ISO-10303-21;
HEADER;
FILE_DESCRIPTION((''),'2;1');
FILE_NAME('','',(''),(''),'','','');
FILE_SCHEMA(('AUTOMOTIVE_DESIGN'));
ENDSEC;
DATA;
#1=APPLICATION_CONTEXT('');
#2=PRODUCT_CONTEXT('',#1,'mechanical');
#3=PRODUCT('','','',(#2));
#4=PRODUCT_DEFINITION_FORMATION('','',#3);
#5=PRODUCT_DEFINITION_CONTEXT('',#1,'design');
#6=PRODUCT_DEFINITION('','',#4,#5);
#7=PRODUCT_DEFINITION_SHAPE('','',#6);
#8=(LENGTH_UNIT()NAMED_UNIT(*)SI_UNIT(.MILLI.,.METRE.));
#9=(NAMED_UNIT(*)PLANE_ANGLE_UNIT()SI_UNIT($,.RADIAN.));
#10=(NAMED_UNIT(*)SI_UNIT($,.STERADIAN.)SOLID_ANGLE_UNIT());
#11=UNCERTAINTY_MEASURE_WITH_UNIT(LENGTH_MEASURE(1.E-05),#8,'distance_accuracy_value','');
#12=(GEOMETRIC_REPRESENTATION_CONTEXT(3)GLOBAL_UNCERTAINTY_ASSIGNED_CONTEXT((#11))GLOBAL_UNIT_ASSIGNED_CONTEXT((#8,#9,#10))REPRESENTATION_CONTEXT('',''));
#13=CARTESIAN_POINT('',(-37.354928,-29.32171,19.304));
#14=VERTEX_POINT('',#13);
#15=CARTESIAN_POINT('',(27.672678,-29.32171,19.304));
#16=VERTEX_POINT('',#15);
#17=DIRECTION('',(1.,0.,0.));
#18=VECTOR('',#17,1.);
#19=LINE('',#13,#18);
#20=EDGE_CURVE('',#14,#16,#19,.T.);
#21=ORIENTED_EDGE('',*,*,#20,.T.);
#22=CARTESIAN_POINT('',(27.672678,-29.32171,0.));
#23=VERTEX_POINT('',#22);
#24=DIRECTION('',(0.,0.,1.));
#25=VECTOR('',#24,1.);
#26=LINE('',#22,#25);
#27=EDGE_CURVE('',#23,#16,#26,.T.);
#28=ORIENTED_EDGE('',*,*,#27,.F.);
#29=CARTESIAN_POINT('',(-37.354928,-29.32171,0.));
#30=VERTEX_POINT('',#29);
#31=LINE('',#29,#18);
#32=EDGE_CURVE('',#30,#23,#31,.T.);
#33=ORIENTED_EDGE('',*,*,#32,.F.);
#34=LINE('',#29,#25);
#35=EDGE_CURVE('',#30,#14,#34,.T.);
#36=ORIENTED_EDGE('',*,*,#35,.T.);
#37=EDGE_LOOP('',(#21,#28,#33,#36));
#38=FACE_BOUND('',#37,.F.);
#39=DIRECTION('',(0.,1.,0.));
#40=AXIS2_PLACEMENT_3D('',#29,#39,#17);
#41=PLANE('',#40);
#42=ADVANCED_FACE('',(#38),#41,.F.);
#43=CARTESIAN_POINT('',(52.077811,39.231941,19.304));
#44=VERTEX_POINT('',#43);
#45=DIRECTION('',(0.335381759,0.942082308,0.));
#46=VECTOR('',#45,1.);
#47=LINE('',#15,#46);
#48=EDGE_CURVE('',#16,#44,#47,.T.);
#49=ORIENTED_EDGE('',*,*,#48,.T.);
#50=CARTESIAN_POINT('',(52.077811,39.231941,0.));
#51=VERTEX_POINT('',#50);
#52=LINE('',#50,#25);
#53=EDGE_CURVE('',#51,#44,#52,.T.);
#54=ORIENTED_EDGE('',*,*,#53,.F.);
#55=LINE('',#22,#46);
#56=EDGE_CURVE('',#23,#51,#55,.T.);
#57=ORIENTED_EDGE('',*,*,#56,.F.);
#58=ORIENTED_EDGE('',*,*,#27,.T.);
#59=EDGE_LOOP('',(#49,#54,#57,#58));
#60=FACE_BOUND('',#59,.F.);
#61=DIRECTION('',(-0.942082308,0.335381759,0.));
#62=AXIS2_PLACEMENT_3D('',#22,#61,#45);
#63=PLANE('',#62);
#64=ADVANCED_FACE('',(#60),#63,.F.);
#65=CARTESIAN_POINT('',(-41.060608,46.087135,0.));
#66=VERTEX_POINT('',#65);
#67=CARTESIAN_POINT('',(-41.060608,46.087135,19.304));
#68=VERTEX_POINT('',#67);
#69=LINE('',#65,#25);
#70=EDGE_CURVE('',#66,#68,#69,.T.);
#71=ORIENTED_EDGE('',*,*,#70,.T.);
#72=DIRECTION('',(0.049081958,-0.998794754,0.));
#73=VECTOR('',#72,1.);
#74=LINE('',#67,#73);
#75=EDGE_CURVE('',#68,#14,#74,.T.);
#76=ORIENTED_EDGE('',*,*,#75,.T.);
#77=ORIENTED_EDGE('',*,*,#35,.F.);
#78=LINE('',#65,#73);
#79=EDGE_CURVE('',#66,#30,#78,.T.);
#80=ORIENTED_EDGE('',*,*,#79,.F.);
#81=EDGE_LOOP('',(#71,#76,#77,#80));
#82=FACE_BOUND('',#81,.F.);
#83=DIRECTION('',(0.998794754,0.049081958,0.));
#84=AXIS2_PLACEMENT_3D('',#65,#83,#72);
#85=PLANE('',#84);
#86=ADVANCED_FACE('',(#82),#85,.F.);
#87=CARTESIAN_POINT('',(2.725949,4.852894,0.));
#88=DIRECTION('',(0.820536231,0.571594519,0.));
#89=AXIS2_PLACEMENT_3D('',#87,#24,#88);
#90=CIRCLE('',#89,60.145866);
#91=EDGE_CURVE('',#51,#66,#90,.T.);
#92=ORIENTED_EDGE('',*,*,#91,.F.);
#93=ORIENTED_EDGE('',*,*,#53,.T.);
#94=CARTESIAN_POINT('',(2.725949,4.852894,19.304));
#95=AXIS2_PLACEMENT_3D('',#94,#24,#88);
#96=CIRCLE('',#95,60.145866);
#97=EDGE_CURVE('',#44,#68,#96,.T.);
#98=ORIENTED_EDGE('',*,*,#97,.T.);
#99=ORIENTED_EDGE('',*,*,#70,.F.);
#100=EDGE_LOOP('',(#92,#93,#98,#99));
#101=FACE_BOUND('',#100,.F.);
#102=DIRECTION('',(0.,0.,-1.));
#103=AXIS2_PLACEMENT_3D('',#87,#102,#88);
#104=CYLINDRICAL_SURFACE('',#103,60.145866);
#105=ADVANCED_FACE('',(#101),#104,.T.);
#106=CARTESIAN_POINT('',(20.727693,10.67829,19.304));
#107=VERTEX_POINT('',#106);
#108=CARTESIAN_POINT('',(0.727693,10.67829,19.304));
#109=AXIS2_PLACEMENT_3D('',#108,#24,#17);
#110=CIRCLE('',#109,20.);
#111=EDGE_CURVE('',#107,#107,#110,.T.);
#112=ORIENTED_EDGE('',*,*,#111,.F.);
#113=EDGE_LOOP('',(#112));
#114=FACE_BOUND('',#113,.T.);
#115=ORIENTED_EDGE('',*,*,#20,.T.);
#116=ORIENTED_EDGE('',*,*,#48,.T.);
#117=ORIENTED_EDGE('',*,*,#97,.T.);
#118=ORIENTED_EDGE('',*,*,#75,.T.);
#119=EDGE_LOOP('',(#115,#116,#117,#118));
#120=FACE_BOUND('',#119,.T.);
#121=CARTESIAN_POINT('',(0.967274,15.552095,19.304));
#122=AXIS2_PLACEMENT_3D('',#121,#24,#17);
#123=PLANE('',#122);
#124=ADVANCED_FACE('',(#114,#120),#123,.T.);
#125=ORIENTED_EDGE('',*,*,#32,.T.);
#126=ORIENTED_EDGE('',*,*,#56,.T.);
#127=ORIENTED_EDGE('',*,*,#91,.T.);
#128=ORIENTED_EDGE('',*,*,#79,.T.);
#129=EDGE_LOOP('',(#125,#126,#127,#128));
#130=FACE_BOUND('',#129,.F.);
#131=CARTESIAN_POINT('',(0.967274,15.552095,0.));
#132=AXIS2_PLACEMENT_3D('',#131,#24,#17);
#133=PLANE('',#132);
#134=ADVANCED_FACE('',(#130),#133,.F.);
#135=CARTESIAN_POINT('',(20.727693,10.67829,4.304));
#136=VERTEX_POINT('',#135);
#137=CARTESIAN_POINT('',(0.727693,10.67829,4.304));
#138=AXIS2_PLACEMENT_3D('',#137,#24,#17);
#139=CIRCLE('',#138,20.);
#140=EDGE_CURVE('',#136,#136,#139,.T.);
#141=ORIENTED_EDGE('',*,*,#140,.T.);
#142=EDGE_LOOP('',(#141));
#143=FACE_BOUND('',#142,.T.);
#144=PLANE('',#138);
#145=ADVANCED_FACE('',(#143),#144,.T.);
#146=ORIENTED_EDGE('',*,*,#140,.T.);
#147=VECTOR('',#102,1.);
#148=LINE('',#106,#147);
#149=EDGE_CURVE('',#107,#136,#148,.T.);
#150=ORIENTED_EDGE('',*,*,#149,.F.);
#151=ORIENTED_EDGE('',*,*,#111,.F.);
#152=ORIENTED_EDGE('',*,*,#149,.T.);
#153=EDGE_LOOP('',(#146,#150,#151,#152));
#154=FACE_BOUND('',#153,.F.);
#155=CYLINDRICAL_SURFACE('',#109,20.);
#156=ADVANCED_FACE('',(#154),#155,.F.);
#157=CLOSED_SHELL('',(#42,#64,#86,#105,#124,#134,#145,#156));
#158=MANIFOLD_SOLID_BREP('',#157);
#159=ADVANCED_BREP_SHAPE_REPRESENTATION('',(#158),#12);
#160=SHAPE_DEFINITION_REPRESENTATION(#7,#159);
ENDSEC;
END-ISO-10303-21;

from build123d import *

# Parameters (mm, degrees)
F1_DEPTH = 19.304
F2_R     = 20
F3_DEPTH = 15


with BuildPart() as f1:
    # F0 (on Top) → F1 (new body)
    with BuildSketch(Plane.XY):
        with BuildLine():
            ThreePointArc((52.077811, 39.231941), (7.140875, 64.836505), (-41.060608, 46.087135))
            Line((-41.060608, 46.087135), (-37.354928, -29.32171))
            Line((-37.354928, -29.32171), (27.672678, -29.32171))
            Line((27.672678, -29.32171), (52.077811, 39.231941))
        make_face()
    extrude(amount=F1_DEPTH)

    # F2 (on face) → F3 (cut)
    with BuildSketch(Plane.XY.offset(19.304)):
        with Locations((0.727693, 10.67829)):
            Circle(F2_R)
    extrude(amount=-F3_DEPTH, mode=Mode.SUBTRACT)


solid = f1.part
